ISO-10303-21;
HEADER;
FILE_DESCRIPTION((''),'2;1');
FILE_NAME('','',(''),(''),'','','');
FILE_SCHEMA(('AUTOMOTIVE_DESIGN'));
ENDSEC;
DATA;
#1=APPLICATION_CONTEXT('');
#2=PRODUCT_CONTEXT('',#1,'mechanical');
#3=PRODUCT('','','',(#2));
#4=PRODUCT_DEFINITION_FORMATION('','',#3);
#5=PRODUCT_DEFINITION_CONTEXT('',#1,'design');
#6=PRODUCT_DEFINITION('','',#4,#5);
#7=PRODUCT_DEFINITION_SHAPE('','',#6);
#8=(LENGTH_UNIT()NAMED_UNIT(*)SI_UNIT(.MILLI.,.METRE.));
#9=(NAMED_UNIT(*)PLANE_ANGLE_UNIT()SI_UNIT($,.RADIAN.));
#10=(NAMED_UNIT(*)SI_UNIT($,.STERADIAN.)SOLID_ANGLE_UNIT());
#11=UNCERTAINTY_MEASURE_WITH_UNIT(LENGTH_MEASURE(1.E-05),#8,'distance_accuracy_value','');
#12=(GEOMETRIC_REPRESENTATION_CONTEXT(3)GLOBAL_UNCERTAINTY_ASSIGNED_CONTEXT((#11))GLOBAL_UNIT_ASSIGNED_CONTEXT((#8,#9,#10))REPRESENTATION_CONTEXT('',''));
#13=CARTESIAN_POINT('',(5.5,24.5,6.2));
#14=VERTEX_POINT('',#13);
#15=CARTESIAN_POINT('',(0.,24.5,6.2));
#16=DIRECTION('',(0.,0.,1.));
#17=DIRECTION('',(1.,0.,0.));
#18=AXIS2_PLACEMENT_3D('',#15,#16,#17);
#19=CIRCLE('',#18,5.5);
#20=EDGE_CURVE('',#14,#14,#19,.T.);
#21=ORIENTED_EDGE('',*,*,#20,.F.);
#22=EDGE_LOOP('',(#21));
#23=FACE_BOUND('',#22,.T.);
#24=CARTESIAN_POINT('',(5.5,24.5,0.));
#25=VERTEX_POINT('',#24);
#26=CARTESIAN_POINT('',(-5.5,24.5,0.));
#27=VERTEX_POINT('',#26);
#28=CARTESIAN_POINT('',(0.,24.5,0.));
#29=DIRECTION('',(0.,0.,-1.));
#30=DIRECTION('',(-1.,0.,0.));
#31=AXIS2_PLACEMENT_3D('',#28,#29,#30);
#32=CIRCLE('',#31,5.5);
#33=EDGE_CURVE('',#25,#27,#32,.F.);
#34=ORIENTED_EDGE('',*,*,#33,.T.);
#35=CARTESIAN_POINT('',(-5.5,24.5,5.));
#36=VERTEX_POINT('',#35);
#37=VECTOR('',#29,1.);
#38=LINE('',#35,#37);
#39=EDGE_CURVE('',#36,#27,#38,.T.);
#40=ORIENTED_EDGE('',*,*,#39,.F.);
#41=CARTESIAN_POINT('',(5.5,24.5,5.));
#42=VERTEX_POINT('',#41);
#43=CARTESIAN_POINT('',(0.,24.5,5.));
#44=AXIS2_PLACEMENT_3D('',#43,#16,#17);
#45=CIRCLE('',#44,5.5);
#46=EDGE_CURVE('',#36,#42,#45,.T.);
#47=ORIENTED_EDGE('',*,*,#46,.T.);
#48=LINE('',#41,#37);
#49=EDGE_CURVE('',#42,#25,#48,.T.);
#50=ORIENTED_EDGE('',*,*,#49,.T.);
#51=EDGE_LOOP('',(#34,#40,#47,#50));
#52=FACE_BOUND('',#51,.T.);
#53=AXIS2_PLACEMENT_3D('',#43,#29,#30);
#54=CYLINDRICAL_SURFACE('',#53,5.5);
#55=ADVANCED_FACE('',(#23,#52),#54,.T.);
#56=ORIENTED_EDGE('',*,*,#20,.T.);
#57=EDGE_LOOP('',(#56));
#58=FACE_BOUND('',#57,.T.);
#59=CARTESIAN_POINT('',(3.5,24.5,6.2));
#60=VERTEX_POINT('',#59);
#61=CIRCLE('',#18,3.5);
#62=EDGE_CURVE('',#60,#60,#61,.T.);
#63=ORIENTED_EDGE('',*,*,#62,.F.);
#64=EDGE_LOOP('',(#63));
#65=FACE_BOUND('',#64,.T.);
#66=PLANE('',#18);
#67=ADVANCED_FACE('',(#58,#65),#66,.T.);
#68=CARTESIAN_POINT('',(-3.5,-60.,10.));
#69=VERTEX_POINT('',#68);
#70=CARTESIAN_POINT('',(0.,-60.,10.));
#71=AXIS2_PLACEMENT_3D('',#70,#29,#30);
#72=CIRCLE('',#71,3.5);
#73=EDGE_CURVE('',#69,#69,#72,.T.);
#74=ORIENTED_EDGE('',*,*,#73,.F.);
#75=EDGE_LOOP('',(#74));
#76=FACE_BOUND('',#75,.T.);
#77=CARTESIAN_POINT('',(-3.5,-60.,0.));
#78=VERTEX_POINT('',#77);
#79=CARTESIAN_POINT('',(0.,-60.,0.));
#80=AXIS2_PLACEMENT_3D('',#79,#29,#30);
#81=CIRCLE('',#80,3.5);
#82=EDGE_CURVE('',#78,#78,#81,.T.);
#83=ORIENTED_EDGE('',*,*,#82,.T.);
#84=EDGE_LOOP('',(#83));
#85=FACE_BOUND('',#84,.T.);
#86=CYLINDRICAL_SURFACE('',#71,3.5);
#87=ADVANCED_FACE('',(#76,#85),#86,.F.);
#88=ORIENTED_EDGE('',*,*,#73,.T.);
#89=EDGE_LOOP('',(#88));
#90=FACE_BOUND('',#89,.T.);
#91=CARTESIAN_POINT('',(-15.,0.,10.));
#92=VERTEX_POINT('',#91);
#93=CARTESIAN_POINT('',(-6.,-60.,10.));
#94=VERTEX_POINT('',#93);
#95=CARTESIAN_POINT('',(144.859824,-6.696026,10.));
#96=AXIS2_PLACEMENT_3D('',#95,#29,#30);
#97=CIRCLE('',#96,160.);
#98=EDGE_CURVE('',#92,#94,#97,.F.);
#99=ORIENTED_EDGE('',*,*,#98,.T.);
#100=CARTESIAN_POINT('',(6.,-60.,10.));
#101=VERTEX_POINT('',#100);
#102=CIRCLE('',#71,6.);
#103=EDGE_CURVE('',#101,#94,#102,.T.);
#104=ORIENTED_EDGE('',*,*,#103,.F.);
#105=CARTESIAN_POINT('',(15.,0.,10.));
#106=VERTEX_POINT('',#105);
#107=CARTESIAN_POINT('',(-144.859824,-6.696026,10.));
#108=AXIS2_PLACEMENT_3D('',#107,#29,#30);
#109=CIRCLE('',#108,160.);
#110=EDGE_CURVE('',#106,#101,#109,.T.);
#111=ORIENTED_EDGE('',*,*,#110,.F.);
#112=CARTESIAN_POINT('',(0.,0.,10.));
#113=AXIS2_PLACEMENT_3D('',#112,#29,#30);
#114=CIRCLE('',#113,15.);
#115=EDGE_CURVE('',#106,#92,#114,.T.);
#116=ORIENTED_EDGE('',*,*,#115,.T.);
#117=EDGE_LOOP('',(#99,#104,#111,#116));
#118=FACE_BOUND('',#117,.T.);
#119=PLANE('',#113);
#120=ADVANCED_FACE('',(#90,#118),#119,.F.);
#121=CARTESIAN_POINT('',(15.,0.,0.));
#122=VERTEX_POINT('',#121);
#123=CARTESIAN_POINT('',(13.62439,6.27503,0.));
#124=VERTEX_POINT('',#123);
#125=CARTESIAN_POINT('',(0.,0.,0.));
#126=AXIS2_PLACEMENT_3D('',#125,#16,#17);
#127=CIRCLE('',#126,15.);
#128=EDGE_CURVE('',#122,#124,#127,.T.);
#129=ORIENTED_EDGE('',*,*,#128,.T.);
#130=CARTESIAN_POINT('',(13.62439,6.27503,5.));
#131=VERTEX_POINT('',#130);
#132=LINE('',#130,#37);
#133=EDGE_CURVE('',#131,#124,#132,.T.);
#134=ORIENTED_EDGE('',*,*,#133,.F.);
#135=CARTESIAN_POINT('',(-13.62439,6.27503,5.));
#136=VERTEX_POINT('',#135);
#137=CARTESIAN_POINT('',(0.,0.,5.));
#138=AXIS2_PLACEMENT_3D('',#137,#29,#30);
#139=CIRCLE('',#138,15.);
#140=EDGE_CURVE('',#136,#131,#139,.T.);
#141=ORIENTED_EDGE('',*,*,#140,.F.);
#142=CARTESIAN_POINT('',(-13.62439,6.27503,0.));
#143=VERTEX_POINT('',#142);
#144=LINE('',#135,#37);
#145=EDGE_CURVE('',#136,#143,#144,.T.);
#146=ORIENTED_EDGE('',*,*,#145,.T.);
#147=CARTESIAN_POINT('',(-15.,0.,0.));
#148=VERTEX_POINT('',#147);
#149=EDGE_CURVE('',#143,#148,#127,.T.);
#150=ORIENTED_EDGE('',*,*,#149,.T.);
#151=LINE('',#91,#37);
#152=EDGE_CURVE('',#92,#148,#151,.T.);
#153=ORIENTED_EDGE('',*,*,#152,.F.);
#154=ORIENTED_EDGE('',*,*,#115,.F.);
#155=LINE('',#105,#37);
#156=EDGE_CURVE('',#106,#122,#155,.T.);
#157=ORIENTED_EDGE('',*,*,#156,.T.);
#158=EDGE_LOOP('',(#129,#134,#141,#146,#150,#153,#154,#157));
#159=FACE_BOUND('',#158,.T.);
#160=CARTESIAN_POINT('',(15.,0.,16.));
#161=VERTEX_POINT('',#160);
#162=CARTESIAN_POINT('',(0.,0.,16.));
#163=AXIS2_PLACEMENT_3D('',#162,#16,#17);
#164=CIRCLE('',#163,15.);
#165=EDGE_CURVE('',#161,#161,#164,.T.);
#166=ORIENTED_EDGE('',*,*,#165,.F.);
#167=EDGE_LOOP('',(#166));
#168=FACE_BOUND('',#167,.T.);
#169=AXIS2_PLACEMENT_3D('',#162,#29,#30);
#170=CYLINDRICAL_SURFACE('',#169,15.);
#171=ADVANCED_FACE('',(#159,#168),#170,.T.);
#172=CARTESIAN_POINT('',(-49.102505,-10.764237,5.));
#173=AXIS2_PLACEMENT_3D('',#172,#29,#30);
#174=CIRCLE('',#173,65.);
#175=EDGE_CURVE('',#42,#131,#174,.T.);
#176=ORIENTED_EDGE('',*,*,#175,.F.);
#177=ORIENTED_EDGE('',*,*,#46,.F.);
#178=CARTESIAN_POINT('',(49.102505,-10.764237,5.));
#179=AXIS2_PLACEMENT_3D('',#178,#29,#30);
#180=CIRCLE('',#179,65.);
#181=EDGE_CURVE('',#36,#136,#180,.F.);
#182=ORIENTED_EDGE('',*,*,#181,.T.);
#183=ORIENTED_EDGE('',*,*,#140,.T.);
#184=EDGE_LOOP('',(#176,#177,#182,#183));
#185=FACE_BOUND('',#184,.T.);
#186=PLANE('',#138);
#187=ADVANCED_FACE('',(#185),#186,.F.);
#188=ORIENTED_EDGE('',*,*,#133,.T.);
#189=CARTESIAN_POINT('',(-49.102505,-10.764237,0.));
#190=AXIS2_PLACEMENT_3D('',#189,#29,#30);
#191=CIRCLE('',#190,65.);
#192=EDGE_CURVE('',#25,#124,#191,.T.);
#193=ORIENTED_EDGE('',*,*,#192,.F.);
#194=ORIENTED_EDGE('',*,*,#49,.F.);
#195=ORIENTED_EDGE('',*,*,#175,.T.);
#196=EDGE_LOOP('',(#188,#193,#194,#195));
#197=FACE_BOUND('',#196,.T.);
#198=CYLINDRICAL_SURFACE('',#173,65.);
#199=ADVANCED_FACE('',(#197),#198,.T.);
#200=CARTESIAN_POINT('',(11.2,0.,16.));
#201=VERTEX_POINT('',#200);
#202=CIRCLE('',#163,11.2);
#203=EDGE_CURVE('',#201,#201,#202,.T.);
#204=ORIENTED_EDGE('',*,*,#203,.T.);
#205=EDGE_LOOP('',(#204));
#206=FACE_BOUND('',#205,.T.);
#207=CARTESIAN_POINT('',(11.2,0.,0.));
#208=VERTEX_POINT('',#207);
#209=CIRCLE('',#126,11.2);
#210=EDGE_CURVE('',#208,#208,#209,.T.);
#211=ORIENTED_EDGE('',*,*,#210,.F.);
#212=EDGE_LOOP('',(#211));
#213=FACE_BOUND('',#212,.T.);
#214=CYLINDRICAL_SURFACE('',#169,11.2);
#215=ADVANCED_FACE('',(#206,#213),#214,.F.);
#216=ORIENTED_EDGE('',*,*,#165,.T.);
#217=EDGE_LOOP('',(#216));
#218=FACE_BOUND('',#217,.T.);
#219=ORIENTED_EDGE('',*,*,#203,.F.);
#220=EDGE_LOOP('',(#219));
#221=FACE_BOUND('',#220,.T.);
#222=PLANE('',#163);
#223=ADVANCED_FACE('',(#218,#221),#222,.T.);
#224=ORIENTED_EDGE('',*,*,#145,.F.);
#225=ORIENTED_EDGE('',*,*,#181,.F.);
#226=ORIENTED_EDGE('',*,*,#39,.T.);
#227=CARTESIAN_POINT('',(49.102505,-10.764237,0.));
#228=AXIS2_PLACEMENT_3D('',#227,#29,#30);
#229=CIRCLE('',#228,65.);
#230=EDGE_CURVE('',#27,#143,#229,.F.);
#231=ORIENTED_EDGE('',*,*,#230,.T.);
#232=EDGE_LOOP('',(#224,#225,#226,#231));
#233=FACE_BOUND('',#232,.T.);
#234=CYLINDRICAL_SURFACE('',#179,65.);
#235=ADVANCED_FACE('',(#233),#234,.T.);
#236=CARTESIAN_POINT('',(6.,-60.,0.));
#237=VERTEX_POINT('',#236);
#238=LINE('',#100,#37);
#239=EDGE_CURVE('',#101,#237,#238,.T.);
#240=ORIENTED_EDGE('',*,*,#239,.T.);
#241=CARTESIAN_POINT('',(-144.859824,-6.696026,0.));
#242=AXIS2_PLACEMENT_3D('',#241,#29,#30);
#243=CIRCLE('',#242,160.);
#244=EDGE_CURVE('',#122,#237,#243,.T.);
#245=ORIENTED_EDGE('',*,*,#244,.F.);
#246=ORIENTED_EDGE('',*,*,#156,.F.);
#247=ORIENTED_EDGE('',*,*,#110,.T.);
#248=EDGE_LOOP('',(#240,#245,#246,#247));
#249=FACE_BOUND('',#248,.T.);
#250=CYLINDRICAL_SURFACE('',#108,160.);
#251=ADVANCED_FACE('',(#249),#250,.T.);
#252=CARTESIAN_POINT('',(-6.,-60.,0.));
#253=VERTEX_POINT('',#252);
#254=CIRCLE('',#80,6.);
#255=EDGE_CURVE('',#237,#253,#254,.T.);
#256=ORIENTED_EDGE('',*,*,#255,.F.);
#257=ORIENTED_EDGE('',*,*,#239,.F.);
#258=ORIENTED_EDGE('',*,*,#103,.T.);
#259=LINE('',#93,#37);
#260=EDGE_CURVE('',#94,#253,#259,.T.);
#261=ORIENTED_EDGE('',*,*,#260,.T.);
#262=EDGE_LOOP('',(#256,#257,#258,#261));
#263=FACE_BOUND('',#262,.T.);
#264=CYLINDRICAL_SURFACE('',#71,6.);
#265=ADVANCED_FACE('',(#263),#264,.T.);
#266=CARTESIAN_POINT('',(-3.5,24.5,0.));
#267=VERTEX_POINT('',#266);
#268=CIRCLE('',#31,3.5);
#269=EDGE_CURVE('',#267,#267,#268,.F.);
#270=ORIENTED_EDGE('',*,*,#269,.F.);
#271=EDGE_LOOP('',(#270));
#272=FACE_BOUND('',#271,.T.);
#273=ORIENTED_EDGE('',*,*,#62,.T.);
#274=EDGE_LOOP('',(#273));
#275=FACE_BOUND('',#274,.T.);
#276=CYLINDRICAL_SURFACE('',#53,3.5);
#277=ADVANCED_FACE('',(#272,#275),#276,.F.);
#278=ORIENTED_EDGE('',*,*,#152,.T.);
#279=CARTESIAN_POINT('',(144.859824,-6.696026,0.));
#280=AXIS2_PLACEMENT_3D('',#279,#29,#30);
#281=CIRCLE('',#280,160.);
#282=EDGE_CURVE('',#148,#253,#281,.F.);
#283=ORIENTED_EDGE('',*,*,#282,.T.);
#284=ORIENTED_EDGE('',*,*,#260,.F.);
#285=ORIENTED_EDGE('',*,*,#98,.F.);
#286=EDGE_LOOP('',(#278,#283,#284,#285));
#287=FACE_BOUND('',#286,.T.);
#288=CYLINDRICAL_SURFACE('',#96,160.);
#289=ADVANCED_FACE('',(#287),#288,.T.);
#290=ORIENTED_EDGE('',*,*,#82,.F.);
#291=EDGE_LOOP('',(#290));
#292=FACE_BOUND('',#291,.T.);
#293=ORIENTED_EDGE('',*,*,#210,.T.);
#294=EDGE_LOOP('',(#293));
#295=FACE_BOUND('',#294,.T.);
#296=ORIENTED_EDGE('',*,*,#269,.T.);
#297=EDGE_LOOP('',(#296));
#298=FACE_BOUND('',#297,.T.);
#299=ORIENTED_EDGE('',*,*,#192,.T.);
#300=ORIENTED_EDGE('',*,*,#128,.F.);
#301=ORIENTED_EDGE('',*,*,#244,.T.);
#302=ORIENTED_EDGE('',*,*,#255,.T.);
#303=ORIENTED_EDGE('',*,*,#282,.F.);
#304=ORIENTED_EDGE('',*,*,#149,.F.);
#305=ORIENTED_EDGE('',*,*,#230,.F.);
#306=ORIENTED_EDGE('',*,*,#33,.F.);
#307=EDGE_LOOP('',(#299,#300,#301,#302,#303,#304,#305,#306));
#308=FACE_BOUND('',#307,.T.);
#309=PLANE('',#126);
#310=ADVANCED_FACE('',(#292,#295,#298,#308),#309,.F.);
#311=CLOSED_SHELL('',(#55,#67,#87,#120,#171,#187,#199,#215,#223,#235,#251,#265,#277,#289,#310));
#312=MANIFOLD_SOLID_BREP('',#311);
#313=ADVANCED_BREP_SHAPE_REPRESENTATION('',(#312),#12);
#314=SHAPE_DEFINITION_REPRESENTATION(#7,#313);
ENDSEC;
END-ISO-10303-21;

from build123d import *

# Parameters (mm, degrees)
SKETCH1_R           = 15
SKETCH1_R_2         = 11.2
BOSS_EXTRUDE1_DEPTH = 16
SKETCH2_R           = 5.5
SKETCH2_R_2         = 3.5
BOSS_EXTRUDE2_DEPTH = 5
SKETCH3_R           = 3.5
BOSS_EXTRUDE3_DEPTH = 10
SKETCH4_R           = 5.5
SKETCH4_R_2         = 3.5
BOSS_EXTRUDE4_DEPTH = 1.2


with BuildPart() as part:
    # Sketch1 → Boss-Extrude1 (new body)
    with BuildSketch(Plane.XY):
        Circle(SKETCH1_R)
        Circle(SKETCH1_R_2, mode=Mode.SUBTRACT)
    extrude(amount=BOSS_EXTRUDE1_DEPTH)

    # Sketch2 → Boss-Extrude2 (add)
    # profile 1 of 3: a face of its own
    with BuildSketch(Plane.XY):
        with Locations((-21.217622393, 12.25)):
            Circle(SKETCH2_R)
        with Locations((-21.217622393, 12.25)):
            Circle(SKETCH2_R_2, mode=Mode.SUBTRACT)
    # profile 2 of 3: a face of its own
    with BuildSketch(Plane.XY):
        with BuildLine():
            ThreePointArc((13.624389704, 6.275030295), (10.26570525, 15.701128433), (5.5, 24.5))
            ThreePointArc((5.5, 24.5), (0, 19), (-5.5, 24.5))
            ThreePointArc((-5.5, 24.5), (-10.26570525, 15.701128433), (-13.624389704, 6.275030295))
            ThreePointArc((-13.624389704, 6.275030295), (0, 15), (13.624389704, 6.275030295))
        make_face()
    # profile 3 of 3: a face of its own
    with BuildSketch(Plane.XY):
        with Locations((0, 24.5)):
            Circle(SKETCH2_R)
        with Locations(Location((0, 24.5, 0), (0, 0, 180))):
            Circle(SKETCH2_R_2, mode=Mode.SUBTRACT)
    extrude(amount=BOSS_EXTRUDE2_DEPTH)


with BuildPart() as boss_extrude2_kept_piece:
    # of the separate pieces the step leaves, the one the design keeps (boss_extrude2_pieces_kept)
    add(part.part.solids().sort_by_distance((15, 0, 0))[0])

    # Sketch3 → Boss-Extrude3 (add)
    with BuildSketch(Plane(origin=(0, 0, 0), x_dir=(-1, 0, 0), z_dir=(0, 0, -1))):
        with BuildLine():
            ThreePointArc((15, 0), (0, -15), (-15, 0))
            ThreePointArc((-15, 0), (-13.36999277, -30.430498916), (-6, -60))
            ThreePointArc((-6, -60), (0, -66), (6, -60))
            ThreePointArc((6, -60), (13.36999277, -30.430498916), (15, 0))
        make_face()
        with Locations((0, -60)):
            Circle(SKETCH3_R, mode=Mode.SUBTRACT)
    extrude(amount=-BOSS_EXTRUDE3_DEPTH)

    # Sketch4 → Boss-Extrude4 (add)
    with BuildSketch(Plane.XY.offset(5)):
        with Locations((0, 24.5)):
            Circle(SKETCH4_R)
        with Locations(Location((0, 24.5, 0), (0, 0, 180))):
            Circle(SKETCH4_R_2, mode=Mode.SUBTRACT)
    extrude(amount=BOSS_EXTRUDE4_DEPTH)


solid = boss_extrude2_kept_piece.part
